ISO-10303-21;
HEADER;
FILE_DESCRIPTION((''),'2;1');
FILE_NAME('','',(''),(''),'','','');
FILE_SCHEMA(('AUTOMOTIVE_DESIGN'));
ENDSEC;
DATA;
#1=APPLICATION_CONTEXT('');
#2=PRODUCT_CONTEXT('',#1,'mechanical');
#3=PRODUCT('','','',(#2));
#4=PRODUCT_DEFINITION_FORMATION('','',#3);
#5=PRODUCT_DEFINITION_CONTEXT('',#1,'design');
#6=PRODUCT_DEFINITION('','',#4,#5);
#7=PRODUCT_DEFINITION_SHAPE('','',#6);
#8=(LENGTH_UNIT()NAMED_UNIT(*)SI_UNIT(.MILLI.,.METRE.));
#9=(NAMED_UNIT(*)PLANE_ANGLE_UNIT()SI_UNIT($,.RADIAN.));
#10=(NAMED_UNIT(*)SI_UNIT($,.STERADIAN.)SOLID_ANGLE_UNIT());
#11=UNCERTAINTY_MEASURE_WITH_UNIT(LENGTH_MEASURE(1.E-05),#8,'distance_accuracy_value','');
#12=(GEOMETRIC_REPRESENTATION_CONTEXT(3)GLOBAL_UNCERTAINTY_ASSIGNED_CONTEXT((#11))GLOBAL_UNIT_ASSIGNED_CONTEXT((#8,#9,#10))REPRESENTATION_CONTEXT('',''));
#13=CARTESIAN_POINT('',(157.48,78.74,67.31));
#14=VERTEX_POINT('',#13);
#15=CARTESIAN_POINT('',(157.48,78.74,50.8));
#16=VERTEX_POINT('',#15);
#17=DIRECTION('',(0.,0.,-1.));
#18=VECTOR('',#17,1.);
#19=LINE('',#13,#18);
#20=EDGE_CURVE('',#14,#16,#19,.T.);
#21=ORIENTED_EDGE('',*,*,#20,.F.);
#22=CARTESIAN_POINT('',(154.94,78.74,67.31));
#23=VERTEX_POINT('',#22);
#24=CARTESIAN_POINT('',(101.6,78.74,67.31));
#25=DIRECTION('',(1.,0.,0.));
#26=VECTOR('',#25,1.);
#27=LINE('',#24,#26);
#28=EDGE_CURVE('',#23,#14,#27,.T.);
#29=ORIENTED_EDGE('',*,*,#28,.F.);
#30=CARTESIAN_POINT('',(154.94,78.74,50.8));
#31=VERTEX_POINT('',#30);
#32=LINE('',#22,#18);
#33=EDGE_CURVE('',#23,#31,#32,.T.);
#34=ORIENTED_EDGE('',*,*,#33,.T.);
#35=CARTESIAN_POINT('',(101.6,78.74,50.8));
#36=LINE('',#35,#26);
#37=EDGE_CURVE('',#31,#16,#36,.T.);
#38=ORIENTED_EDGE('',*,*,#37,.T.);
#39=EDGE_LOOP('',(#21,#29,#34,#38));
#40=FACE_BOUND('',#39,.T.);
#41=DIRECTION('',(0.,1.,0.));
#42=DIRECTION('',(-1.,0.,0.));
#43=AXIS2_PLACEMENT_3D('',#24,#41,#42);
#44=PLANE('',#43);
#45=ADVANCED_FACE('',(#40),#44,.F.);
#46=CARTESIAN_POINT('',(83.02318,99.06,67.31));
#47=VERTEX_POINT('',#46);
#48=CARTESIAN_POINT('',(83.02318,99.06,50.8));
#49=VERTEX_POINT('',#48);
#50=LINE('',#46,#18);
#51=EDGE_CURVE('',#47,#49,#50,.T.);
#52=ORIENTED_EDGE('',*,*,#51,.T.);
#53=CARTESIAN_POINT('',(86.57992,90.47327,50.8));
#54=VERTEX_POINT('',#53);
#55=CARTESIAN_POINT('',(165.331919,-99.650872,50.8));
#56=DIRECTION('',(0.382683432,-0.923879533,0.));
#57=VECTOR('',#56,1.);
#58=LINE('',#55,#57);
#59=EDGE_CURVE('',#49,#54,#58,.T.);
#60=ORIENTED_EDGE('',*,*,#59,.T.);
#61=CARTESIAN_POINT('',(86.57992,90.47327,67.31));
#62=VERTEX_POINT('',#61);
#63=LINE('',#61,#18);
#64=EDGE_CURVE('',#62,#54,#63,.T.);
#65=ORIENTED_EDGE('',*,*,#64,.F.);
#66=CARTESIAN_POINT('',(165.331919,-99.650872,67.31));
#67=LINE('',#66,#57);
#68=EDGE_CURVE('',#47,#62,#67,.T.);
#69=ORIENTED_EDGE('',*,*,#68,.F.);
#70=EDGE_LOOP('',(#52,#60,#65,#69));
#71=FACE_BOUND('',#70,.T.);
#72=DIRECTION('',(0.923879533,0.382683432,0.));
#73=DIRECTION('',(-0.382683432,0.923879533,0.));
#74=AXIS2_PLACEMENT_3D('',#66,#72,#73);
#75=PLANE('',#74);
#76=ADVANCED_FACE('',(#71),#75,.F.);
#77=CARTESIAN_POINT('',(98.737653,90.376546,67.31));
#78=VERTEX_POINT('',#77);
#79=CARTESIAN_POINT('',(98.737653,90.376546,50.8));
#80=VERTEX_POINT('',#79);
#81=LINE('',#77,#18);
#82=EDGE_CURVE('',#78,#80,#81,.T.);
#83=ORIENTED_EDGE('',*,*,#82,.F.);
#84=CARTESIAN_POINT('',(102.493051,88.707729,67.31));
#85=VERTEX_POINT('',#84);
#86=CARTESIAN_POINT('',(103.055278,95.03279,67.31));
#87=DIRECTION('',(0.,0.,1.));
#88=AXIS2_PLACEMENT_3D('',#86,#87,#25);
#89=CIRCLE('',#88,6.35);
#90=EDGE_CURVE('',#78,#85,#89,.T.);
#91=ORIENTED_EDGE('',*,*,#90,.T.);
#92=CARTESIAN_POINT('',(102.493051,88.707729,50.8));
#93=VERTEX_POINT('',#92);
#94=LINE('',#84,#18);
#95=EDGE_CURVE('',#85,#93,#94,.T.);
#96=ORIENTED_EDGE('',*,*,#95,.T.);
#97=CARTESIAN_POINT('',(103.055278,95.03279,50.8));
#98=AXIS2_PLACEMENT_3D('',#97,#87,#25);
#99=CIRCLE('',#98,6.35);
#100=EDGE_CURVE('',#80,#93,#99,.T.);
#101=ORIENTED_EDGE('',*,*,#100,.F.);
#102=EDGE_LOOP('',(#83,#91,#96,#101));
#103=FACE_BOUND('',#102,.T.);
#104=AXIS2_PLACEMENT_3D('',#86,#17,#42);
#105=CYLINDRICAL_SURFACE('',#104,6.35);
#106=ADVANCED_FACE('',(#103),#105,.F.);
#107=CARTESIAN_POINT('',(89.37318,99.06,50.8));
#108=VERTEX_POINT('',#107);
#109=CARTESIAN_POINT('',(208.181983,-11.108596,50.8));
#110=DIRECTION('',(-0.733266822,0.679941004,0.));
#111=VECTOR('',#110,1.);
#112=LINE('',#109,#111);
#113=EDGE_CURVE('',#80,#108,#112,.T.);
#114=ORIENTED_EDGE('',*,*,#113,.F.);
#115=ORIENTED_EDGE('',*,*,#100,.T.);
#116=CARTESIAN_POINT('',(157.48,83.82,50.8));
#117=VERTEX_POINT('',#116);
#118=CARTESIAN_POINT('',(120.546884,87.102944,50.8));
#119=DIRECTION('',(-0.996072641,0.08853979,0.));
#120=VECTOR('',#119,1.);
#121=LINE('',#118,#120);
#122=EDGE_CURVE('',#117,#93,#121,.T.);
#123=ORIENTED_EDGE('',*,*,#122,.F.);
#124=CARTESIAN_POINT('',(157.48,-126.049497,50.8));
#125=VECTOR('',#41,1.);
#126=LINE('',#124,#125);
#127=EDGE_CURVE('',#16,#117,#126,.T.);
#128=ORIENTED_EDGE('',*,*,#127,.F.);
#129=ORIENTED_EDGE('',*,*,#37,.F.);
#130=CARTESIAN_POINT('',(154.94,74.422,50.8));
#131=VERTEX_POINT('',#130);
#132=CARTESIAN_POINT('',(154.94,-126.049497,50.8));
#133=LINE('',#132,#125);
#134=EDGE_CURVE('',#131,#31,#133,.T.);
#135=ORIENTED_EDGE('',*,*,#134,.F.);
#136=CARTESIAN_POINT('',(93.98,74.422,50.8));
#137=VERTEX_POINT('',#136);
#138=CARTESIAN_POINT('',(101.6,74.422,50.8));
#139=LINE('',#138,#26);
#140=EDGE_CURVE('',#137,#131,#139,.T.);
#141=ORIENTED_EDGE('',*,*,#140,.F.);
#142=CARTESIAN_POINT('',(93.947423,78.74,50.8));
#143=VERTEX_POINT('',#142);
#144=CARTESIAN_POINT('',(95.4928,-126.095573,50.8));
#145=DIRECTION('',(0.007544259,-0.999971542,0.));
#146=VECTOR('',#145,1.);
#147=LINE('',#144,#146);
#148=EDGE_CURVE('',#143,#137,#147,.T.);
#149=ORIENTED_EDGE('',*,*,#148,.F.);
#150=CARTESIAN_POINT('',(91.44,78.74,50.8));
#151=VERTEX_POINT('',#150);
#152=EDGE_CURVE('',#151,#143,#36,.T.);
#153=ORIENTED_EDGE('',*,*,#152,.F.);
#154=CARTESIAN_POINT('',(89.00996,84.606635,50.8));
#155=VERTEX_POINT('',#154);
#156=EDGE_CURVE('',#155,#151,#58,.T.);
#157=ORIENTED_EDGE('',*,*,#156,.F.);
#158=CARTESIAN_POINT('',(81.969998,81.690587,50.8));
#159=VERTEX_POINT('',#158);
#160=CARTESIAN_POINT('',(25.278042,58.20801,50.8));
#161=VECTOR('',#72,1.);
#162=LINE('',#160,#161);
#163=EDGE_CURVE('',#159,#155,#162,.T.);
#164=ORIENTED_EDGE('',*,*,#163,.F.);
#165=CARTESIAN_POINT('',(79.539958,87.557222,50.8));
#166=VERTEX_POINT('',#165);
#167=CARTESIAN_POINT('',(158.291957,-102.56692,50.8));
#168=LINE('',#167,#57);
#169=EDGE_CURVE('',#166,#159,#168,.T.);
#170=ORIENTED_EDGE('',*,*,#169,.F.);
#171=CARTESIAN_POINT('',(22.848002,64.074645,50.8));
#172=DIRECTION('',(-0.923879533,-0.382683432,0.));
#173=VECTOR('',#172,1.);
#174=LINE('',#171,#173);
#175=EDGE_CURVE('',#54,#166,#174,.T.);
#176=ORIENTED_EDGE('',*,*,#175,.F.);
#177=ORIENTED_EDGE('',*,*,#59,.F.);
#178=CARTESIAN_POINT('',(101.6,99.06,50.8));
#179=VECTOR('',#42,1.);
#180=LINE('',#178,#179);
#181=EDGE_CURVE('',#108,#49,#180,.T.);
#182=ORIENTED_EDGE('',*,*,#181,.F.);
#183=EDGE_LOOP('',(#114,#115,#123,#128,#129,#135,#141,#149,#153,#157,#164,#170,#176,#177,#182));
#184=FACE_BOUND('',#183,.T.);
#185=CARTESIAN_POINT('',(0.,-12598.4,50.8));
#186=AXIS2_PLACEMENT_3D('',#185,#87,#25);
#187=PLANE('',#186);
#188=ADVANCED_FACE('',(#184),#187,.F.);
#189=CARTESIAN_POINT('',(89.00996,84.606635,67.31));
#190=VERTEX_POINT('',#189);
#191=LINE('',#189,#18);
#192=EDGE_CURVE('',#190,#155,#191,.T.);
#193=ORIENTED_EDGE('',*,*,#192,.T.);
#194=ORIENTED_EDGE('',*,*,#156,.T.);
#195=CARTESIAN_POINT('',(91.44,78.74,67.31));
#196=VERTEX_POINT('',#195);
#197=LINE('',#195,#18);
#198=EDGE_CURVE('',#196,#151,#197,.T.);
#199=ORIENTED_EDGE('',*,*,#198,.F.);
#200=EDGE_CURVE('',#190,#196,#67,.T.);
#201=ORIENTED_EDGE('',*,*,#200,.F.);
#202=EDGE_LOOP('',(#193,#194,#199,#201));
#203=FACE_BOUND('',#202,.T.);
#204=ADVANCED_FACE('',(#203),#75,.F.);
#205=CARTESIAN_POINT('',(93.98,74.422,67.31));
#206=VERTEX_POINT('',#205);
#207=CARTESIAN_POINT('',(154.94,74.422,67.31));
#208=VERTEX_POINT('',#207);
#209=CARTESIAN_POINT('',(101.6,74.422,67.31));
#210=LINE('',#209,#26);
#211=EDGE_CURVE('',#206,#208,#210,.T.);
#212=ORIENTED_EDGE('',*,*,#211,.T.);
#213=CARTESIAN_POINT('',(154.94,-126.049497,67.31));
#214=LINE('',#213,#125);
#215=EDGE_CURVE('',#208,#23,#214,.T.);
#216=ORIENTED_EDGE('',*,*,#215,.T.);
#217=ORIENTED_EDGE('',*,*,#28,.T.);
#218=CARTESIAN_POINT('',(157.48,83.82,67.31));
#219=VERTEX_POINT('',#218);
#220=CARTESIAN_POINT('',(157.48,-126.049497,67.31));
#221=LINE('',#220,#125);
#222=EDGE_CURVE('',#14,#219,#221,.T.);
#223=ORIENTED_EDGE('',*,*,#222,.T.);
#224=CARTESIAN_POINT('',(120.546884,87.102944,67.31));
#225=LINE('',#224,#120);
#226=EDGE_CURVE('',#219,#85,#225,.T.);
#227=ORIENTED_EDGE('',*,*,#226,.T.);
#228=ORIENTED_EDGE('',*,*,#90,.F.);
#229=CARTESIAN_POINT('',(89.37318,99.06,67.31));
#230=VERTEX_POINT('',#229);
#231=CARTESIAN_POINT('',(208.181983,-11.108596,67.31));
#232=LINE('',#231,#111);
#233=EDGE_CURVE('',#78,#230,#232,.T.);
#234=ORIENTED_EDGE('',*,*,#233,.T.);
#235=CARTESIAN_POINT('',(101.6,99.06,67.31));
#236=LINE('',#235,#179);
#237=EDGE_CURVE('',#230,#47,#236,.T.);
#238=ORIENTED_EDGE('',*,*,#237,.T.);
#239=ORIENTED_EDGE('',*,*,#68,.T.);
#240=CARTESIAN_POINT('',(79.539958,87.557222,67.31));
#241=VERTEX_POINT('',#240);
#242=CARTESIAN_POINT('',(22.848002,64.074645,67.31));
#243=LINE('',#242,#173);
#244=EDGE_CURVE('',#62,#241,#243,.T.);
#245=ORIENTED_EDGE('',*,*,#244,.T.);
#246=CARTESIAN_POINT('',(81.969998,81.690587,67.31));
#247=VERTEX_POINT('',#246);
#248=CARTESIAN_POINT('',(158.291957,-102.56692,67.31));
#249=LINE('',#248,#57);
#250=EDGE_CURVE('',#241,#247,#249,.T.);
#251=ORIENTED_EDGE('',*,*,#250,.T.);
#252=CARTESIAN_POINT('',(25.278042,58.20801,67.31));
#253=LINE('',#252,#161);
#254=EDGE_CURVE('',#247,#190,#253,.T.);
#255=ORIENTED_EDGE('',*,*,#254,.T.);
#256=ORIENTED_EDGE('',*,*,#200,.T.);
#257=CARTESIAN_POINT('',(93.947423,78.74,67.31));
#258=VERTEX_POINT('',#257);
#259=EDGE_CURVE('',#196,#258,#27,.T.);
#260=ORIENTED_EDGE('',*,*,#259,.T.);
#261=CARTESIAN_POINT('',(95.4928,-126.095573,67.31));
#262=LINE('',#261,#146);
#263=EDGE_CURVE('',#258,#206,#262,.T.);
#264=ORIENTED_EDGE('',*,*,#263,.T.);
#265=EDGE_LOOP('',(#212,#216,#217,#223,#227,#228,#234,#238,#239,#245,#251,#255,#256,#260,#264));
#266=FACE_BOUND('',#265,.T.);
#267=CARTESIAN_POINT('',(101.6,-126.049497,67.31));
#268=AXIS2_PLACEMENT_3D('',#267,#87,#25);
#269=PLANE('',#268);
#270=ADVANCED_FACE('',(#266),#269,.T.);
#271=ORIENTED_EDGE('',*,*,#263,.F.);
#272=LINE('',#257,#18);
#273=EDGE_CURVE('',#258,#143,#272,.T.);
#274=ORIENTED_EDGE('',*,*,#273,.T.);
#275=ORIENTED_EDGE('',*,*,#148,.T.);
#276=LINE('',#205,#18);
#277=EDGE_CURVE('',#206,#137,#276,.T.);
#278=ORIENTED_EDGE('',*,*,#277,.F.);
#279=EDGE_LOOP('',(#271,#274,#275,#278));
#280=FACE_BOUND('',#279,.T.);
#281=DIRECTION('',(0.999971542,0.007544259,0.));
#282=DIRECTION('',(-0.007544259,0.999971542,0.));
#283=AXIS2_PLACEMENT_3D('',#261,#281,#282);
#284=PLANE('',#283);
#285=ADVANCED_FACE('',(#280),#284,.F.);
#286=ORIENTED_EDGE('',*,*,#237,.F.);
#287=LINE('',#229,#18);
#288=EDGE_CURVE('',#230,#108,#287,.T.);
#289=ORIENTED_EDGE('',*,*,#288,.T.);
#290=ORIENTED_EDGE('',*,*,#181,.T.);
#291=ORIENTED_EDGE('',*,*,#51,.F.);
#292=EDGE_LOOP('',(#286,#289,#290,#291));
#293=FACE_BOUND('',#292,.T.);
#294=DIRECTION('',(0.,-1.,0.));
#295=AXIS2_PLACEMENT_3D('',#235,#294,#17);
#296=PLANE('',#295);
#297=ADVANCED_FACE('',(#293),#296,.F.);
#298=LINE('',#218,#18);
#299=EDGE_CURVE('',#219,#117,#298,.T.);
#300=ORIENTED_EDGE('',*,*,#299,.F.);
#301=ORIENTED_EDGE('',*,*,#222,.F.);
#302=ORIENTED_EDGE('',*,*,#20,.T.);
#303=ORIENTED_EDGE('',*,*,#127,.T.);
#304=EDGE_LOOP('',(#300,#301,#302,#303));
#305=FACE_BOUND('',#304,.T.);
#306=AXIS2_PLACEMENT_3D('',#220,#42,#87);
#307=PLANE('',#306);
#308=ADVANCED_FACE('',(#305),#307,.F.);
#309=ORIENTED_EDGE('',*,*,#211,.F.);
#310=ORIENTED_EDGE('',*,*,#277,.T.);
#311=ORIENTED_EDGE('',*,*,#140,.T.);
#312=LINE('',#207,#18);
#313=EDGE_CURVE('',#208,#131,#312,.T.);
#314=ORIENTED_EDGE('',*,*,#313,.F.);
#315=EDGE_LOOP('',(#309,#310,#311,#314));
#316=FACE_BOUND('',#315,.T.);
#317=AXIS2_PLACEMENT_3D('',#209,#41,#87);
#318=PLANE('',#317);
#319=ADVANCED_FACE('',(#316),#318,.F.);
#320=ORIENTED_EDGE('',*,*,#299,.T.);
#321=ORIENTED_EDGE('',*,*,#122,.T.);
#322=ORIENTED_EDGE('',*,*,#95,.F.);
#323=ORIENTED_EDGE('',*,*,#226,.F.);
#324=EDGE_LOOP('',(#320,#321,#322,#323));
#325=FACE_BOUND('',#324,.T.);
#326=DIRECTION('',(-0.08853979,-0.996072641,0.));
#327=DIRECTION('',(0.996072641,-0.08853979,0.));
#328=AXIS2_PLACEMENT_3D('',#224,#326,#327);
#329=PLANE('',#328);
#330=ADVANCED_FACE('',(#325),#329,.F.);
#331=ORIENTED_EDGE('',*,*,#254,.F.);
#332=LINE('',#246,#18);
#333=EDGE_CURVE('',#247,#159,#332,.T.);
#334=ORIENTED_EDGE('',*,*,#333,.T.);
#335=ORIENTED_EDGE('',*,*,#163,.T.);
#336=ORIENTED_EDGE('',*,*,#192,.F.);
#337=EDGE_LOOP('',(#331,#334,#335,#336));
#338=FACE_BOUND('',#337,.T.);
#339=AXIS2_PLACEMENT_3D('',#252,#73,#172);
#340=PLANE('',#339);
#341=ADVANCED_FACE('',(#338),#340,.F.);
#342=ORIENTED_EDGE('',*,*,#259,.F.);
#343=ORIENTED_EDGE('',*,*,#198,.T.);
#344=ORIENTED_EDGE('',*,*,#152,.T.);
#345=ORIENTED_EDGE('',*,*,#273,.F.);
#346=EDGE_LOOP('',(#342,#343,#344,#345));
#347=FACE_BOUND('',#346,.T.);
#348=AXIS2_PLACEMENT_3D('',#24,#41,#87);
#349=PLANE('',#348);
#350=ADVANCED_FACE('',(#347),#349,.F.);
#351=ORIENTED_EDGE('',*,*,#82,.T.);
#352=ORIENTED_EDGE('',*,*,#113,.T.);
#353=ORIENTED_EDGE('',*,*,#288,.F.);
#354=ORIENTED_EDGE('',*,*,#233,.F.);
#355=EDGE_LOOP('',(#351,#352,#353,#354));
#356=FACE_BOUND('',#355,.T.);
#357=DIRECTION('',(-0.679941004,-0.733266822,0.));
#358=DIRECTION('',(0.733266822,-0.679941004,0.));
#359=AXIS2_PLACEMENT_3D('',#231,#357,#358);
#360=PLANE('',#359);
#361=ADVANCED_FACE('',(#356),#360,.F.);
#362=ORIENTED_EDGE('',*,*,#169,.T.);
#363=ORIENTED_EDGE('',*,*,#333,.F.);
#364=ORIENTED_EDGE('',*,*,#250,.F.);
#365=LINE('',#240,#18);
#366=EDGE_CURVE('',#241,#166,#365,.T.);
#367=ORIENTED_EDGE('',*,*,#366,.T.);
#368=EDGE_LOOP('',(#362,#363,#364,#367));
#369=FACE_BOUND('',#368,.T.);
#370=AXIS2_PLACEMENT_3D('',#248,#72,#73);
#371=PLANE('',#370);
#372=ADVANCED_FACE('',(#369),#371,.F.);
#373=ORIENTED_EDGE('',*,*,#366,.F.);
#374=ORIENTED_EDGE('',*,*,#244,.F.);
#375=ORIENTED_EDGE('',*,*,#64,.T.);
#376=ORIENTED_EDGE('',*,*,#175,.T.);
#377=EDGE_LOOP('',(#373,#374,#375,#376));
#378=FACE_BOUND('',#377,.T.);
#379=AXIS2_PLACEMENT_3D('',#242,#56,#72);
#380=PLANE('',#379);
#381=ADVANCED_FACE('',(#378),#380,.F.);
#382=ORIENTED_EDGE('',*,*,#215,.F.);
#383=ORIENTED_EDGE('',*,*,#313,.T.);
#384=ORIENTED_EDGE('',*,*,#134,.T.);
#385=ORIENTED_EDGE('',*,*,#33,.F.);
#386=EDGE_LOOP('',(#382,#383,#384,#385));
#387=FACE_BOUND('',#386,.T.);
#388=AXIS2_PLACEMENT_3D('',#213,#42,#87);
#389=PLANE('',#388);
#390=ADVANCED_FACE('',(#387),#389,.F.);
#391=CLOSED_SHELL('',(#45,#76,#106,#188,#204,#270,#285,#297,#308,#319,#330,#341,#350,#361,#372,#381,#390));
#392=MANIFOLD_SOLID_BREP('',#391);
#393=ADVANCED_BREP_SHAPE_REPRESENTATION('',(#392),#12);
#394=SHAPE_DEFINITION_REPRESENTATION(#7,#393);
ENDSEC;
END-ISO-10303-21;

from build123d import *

# Parameters (mm, degrees)
SKETCH1_W      = 203.2
SKETCH1_H      = 101.6
EXTRUDE1_DEPTH = 50.8
EXTRUDE2_DEPTH = 16.51
SKETCH22_W     = 203.2
SKETCH22_H     = 50.8
EXTRUDE3_DEPTH = 12700


with BuildPart() as part:
    # Sketch1 → Extrude1 (new body)
    with BuildSketch(Plane.XY):
        with Locations((101.6, 50.8)):
            Rectangle(SKETCH1_W, SKETCH1_H)
    extrude(amount=EXTRUDE1_DEPTH)

    # Sketch20 → Extrude2 (add)
    with BuildSketch(Plane.XY.offset(50.8)):
        with BuildLine():
            ThreePointArc((98.73765298, 90.37654578), (100.476619995, 89.229944151), (102.493050685, 88.707728828))
            Line((102.493050685, 88.707728828), (157.48, 83.82))
            Line((157.48, 83.82), (157.48, 78.74))
            Line((157.48, 78.74), (154.94, 78.74))
            Line((154.94, 78.74), (154.94, 74.422))
            Line((154.94, 74.422), (93.98, 74.422))
            Line((93.98, 74.422), (93.947422963, 78.74))
            Line((93.947422963, 78.74), (91.44, 78.74))
            Line((91.44, 78.74), (89.009960204, 84.606635031))
            Line((89.009960204, 84.606635031), (81.969998167, 81.690587277))
            Line((81.969998167, 81.690587277), (79.539958371, 87.557222308))
            Line((79.539958371, 87.557222308), (86.579920409, 90.473270063))
            Line((86.579920409, 90.473270063), (83.023180413, 99.06))
            Line((83.023180413, 99.06), (89.373180413, 99.06))
            Line((89.373180413, 99.06), (98.73765298, 90.37654578))
        make_face()
    extrude(amount=EXTRUDE2_DEPTH)

    # Sketch22 → Extrude3 (cut)
    with BuildSketch(Plane(origin=(0, 101.6, 0), x_dir=(1, 0, 0), z_dir=(0, 1, 0))):
        with Locations((101.6, -25.4)):
            Rectangle(SKETCH22_W, SKETCH22_H)
    extrude(amount=-EXTRUDE3_DEPTH, mode=Mode.SUBTRACT)


solid = part.part
